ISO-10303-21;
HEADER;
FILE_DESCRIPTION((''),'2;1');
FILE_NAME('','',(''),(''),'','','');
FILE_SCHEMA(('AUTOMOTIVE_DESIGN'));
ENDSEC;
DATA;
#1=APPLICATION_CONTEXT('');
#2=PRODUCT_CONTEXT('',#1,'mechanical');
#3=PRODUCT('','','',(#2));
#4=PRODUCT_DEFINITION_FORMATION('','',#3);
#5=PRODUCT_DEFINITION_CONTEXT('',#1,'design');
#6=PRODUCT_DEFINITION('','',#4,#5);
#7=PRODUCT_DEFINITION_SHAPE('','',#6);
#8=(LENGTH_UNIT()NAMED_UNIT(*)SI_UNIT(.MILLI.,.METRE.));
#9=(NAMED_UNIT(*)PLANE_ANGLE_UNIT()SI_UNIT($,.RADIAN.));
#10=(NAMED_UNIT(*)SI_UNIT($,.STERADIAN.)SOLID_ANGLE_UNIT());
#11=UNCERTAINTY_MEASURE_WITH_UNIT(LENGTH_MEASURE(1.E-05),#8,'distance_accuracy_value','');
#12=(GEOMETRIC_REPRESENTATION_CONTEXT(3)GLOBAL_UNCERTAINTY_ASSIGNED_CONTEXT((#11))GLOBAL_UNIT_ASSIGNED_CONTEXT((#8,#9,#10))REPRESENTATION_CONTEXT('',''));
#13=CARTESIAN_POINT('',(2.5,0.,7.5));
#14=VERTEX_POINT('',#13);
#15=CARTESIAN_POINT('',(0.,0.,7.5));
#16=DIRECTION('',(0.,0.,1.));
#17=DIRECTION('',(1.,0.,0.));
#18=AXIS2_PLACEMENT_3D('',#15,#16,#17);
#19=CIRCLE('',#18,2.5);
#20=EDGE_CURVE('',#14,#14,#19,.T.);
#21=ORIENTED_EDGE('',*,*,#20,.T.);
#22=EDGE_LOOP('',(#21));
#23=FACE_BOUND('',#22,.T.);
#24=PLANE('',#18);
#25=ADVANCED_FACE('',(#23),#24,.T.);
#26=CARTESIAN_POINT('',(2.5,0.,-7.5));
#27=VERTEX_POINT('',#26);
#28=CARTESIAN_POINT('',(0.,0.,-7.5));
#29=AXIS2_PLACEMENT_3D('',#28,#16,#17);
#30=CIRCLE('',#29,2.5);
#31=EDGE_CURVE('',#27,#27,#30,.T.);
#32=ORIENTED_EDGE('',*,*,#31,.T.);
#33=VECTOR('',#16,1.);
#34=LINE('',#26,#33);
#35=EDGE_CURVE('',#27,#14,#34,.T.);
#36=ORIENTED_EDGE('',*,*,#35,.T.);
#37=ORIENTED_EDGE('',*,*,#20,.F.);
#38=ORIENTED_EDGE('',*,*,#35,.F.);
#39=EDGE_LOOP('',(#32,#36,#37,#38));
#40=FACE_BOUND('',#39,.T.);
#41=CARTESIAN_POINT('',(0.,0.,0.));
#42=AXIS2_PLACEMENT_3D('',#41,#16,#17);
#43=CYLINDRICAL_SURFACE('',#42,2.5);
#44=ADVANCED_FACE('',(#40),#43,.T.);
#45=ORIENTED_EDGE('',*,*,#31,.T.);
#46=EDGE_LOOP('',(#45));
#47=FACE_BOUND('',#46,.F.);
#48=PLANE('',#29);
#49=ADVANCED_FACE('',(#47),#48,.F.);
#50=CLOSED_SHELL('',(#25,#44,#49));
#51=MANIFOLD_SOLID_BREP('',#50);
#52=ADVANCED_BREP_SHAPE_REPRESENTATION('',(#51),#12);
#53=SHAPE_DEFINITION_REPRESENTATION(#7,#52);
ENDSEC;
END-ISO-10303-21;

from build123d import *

# Parameters (mm, degrees)
SKETCH1_R           = 2.5
BOSS_EXTRUDE1_DEPTH = 7.5


with BuildPart() as part:
    # Sketch1 → Boss-Extrude1 (new body, symmetric)
    with BuildSketch(Plane.XY):
        Circle(SKETCH1_R)
    extrude(amount=BOSS_EXTRUDE1_DEPTH, both=True)


solid = part.part
